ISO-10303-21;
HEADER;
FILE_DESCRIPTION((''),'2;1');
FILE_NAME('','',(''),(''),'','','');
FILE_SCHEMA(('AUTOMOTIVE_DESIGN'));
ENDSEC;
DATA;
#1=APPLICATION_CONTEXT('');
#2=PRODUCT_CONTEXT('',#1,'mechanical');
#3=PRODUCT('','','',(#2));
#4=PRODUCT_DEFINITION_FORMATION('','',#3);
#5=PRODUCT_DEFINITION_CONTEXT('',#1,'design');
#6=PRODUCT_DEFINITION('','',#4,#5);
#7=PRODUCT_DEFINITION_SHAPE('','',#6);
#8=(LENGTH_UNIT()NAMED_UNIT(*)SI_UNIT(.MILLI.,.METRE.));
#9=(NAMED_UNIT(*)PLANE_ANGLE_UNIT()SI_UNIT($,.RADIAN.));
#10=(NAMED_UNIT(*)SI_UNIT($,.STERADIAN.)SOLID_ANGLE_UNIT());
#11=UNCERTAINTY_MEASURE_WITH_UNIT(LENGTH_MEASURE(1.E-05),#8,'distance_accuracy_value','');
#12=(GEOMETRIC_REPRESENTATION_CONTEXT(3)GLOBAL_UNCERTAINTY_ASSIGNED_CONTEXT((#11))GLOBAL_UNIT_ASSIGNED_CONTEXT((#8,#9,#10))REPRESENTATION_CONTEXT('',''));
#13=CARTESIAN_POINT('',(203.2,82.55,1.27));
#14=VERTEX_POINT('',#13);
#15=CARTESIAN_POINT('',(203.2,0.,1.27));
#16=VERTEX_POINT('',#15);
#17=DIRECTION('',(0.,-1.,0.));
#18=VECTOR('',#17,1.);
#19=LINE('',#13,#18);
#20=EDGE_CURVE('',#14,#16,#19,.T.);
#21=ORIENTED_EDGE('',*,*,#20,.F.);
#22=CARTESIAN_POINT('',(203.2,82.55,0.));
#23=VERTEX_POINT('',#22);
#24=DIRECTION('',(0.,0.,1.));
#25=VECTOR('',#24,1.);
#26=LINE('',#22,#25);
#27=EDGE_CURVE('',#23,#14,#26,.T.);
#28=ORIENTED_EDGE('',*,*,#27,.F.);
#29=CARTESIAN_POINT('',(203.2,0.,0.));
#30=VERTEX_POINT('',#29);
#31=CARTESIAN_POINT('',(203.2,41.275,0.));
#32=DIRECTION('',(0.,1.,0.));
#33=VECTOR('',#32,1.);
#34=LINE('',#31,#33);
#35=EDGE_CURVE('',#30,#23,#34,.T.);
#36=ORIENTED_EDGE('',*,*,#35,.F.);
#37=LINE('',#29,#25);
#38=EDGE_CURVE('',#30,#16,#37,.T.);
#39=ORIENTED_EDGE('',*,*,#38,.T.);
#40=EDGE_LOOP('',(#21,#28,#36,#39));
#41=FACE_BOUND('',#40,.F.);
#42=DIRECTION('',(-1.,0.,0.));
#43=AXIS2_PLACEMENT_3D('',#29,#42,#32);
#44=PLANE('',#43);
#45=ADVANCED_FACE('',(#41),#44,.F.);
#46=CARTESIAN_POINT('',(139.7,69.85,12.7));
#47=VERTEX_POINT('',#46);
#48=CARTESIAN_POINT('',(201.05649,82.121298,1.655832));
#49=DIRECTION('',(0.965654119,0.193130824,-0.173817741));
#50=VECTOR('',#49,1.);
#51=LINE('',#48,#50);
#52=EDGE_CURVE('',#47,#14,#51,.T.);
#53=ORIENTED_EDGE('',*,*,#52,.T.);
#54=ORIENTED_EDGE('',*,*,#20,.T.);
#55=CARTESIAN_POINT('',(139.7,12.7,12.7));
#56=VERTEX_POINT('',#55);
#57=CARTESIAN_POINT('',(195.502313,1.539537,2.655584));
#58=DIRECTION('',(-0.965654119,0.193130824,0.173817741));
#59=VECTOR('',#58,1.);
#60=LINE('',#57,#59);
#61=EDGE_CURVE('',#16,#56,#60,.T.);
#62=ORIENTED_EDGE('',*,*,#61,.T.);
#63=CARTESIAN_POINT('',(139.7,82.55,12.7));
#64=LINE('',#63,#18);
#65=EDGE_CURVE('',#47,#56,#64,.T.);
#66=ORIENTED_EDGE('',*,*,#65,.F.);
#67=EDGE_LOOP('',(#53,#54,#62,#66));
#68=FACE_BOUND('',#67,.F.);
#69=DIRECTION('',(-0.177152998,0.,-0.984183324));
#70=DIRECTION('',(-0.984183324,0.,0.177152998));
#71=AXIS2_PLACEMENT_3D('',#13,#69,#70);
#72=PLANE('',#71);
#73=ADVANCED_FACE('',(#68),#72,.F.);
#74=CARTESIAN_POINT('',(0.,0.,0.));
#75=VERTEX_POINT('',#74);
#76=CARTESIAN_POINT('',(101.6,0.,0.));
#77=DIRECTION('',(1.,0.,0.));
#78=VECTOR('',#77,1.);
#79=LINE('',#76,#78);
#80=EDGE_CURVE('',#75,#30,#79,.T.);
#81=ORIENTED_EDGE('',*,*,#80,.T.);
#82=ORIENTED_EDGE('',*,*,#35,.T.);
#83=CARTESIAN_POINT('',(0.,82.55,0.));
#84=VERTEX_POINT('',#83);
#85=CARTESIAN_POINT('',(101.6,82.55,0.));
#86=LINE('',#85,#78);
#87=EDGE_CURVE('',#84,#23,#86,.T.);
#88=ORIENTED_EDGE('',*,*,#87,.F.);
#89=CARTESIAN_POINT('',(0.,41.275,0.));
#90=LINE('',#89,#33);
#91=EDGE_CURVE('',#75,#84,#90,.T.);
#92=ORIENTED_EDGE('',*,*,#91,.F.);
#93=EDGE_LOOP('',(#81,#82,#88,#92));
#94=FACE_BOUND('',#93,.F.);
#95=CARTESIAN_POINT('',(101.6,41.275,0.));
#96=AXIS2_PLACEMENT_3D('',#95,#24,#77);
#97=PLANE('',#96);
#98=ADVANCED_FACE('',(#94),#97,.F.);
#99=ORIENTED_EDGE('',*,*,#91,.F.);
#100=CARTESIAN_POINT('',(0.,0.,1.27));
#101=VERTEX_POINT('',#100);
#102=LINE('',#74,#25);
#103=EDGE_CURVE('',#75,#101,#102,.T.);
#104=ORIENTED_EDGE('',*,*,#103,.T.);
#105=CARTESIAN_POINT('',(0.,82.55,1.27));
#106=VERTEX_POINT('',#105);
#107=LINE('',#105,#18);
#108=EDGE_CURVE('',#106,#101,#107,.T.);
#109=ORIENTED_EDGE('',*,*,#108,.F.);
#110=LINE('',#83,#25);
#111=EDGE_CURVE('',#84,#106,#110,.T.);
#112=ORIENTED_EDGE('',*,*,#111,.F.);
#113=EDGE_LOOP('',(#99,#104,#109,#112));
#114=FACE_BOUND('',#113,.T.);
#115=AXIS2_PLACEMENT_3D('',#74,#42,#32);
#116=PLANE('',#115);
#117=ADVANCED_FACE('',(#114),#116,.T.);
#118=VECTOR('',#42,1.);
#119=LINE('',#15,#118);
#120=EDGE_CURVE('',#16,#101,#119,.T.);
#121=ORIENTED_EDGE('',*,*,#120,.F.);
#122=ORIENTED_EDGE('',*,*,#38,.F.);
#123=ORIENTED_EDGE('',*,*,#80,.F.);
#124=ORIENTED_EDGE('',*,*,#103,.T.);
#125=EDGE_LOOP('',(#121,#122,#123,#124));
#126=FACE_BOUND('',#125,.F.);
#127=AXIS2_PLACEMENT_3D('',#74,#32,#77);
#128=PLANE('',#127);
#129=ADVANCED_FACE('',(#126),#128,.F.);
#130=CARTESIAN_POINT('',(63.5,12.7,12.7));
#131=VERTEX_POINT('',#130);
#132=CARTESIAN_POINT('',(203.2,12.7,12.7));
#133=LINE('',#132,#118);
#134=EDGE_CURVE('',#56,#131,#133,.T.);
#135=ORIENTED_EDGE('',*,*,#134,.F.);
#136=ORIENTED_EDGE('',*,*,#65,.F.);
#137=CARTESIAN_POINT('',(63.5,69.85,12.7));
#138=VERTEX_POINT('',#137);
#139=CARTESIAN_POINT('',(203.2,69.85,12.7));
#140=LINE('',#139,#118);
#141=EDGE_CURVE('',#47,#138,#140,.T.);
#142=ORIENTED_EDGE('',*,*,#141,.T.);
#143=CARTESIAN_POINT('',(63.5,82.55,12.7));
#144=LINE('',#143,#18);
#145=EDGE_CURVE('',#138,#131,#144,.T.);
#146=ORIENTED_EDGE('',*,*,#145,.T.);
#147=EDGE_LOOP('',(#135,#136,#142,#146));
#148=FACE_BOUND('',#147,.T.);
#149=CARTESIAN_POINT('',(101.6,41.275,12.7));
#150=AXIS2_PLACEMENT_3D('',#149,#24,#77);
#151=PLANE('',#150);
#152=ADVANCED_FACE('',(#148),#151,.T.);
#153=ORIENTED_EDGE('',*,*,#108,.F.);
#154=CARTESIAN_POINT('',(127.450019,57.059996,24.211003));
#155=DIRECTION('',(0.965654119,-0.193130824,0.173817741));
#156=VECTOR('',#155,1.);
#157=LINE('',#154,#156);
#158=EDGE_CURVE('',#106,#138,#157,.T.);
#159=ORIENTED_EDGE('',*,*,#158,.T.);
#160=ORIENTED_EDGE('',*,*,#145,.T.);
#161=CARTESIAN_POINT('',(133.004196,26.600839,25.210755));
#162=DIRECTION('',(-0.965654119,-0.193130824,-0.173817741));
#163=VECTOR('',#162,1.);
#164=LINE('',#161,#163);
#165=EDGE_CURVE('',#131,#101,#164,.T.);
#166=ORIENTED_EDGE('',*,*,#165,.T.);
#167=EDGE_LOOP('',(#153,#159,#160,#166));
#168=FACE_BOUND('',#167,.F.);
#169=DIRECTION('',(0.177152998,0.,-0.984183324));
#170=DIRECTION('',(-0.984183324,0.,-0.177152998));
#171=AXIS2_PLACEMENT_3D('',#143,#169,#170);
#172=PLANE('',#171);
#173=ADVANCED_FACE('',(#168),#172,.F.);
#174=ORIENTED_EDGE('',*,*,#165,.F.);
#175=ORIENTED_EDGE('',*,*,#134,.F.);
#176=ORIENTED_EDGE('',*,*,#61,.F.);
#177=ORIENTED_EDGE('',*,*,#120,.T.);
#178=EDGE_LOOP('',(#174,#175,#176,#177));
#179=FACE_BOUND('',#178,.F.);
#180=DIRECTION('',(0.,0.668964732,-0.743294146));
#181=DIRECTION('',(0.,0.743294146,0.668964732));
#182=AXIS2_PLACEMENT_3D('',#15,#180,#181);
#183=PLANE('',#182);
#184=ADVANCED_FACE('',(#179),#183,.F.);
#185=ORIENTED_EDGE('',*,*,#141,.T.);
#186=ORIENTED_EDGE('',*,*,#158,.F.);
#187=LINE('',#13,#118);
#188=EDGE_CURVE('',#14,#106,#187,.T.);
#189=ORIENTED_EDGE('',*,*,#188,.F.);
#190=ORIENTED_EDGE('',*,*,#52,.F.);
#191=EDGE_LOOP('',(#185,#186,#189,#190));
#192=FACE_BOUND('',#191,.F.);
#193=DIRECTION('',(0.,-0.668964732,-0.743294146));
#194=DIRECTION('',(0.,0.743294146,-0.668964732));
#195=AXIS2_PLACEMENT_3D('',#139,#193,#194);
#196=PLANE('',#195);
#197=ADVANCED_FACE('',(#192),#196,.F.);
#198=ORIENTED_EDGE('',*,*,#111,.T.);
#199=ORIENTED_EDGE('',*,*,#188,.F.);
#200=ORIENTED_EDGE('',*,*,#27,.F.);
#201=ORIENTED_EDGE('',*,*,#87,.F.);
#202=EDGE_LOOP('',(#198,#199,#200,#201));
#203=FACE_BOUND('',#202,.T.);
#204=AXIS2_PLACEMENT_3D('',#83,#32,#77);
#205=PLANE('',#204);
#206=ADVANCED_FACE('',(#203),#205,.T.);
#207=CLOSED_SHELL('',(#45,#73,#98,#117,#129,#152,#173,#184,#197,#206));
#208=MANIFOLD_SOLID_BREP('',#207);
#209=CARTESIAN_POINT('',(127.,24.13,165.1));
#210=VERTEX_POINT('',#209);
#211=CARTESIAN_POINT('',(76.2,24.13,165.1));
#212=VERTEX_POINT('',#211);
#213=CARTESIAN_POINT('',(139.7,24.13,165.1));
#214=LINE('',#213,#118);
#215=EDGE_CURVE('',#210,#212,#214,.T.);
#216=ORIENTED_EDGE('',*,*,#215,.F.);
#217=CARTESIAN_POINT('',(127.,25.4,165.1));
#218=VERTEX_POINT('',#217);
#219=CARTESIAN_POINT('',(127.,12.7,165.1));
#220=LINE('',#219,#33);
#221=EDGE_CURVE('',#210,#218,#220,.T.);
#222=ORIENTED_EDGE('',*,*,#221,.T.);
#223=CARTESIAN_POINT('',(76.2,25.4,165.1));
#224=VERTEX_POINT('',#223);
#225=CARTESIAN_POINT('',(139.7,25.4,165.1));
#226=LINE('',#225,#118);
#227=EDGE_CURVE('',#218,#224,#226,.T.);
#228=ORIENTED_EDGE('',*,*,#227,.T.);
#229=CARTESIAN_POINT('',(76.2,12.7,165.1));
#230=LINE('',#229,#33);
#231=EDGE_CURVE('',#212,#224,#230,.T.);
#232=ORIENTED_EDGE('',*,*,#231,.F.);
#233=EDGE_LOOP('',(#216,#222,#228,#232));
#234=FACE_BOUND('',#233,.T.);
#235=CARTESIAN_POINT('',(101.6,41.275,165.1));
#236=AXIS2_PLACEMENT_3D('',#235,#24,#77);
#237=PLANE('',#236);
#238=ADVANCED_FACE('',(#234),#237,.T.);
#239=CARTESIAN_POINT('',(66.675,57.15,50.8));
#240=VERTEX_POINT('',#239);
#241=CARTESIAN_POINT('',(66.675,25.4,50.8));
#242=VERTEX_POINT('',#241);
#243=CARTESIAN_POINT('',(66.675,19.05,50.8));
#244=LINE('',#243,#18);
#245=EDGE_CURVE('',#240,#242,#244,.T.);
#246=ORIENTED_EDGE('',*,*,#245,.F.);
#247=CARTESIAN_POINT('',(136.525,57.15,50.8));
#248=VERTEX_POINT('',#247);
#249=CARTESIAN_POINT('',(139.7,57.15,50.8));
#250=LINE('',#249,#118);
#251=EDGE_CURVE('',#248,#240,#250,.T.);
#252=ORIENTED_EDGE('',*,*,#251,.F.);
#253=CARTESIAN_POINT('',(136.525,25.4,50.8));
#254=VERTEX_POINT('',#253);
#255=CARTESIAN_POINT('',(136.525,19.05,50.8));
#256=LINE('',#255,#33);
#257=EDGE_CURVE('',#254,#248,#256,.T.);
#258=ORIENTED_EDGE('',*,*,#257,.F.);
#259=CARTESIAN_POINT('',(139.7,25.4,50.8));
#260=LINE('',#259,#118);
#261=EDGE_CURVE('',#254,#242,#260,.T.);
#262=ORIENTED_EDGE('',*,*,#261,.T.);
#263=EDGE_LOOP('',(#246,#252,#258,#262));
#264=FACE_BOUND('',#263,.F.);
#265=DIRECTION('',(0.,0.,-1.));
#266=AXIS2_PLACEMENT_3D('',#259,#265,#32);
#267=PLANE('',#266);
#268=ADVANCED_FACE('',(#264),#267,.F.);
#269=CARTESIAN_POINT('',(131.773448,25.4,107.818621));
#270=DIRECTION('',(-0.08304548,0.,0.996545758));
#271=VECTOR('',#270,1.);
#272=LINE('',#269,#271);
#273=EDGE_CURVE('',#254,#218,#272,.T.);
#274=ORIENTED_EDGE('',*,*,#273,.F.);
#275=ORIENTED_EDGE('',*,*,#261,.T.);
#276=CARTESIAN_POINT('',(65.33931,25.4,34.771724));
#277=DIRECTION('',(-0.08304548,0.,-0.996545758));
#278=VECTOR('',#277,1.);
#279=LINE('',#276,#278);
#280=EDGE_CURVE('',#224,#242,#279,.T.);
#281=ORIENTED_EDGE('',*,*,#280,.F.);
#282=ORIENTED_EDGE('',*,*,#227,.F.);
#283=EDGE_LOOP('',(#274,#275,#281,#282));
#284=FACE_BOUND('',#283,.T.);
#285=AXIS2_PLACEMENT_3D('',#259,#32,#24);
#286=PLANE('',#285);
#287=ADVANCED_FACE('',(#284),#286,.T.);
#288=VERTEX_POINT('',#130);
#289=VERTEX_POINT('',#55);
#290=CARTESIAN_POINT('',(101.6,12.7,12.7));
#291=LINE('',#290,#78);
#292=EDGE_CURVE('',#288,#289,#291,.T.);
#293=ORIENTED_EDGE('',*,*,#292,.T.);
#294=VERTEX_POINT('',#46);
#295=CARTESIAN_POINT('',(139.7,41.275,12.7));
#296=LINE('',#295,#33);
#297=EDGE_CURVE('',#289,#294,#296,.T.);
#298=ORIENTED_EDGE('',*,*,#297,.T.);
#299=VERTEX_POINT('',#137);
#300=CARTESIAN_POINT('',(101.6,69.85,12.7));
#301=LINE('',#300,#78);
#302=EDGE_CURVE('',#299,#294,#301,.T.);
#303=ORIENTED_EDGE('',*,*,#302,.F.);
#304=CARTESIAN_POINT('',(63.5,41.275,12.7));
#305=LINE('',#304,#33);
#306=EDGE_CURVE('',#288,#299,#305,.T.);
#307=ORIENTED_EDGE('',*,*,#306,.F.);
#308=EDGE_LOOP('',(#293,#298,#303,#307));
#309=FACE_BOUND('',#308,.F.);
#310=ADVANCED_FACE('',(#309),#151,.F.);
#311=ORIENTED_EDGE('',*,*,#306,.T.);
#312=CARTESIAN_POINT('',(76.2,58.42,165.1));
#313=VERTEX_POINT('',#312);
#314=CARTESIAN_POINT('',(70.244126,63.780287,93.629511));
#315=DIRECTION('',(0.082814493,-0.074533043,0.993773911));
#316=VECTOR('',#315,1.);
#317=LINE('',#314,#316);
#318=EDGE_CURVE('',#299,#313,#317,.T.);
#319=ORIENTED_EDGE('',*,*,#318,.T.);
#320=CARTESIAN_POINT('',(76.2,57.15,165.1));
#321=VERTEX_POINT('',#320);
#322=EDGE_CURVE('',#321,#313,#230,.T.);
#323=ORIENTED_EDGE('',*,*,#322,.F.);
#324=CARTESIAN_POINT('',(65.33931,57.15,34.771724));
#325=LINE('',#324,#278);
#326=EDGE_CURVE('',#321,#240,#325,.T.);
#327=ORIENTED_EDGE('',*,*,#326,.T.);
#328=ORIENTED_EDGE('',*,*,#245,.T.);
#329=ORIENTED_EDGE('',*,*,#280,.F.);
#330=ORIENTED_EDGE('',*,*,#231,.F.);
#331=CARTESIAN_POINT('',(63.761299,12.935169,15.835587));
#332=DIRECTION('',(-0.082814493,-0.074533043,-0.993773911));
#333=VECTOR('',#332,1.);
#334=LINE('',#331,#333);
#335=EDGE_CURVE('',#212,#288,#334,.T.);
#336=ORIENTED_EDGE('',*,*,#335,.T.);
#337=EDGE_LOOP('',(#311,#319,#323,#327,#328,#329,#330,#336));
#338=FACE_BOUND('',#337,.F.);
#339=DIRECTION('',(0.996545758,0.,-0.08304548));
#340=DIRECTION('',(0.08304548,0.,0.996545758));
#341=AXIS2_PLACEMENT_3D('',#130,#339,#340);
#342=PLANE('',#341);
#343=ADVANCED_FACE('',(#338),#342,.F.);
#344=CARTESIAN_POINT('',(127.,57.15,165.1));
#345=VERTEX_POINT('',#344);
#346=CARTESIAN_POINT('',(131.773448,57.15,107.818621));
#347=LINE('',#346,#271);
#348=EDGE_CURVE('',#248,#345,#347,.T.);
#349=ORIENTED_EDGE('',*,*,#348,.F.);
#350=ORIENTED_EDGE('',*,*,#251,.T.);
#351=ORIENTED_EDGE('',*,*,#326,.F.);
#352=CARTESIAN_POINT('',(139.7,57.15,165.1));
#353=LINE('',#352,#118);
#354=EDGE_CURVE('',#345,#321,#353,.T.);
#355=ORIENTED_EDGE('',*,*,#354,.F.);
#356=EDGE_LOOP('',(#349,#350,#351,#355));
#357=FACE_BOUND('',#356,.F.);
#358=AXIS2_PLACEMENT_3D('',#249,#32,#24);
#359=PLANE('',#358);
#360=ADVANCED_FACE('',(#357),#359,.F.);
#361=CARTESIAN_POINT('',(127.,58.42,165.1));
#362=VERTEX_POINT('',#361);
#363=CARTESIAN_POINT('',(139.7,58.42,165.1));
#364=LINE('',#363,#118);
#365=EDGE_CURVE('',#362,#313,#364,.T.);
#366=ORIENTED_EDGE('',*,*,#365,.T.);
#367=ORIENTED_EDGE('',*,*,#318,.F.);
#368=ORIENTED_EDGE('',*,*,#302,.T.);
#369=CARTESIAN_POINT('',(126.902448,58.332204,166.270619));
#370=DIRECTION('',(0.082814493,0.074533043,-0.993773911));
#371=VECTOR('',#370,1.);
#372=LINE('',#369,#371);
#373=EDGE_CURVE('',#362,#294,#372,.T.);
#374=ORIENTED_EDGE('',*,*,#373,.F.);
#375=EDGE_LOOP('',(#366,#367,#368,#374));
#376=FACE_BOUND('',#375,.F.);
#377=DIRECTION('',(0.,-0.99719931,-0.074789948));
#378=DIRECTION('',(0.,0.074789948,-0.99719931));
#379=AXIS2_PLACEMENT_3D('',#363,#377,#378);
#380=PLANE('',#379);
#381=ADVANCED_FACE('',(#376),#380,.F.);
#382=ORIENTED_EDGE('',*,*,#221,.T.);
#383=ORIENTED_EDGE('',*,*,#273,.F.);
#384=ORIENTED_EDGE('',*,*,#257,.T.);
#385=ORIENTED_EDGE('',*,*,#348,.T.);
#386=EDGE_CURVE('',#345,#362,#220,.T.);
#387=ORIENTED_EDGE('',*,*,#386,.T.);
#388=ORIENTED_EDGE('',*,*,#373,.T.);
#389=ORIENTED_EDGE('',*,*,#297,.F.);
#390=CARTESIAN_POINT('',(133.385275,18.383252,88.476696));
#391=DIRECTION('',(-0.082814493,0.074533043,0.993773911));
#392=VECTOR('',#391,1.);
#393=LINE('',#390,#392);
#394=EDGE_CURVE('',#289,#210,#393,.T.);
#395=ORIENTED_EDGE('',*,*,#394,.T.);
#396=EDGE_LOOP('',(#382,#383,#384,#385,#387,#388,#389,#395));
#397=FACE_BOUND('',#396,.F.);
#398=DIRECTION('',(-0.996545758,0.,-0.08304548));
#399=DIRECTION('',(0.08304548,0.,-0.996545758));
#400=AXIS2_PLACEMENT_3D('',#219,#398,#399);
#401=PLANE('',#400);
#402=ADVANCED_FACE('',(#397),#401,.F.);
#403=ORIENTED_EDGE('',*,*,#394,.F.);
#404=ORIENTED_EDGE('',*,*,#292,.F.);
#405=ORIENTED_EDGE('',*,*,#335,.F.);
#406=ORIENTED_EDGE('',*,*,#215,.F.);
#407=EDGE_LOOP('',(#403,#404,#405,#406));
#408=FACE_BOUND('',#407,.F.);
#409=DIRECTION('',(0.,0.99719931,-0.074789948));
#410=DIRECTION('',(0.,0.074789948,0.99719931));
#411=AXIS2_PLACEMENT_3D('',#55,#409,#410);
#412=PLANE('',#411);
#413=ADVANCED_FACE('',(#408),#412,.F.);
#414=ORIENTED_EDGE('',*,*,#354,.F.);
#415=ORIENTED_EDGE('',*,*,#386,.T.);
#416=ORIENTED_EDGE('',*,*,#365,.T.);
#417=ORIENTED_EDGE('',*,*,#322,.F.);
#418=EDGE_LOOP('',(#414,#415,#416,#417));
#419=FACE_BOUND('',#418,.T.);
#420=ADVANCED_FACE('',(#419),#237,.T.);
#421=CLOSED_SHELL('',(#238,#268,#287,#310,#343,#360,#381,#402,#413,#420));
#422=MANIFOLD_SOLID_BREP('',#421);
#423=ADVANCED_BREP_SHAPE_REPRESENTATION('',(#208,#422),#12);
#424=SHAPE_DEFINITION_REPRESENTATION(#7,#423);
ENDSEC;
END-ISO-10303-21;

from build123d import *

# Parameters (mm, degrees)
F0_W      = 203.2
F0_H      = 82.55
F1_DEPTH  = 12.7
F3_DEPTH  = 203.2
F5_DEPTH  = 82.55
F6_W      = 76.2
F6_H      = 57.15
F7_DEPTH  = 152.4
F8_W      = 31.75
F8_H      = 114.3
F9_DEPTH  = 76.2
F12_DEPTH = 76.2
F13_DEPTH = 57.15


with BuildPart() as f1:
    # F0 (on Top) → F1 (new body)
    with BuildSketch(Plane.XY):
        with Locations((101.6, 41.275)):
            Rectangle(F0_W, F0_H)
    extrude(amount=F1_DEPTH)

    # F2 (on face) → F3 (cut)
    with BuildSketch(Plane.YZ.offset(203.2)):
        Polygon((12.7, 12.7), (0, 12.7), (0, 1.27), align=None)
        Polygon((82.55, 1.27), (82.55, 12.7), (69.85, 12.7), align=None)
    extrude(amount=-F3_DEPTH, mode=Mode.SUBTRACT)

    # F4 (on face) → F5 (cut)
    with BuildSketch(Plane(origin=(0, 82.55, 0), x_dir=(-1, 0, 0), z_dir=(0, 1, 0))):
        Polygon((-203.2, 12.7), (-203.2, 1.27), (-139.7, 12.7), align=None)
        Polygon((-63.5, 12.7), (0, 1.27), (0, 12.7), align=None)
    extrude(amount=-F5_DEPTH, mode=Mode.SUBTRACT)


with BuildPart() as f7:
    # F6 (on face) → F7 (new body)
    with BuildSketch(Plane.XY.offset(12.7)):
        with Locations((101.6, 41.275)):
            Rectangle(F6_W, F6_H)
    extrude(amount=F7_DEPTH)

    # F8 (on face) → F9 (cut)
    with BuildSketch(Plane.YZ.offset(139.7)):
        with Locations((41.275, 107.95)):
            Rectangle(F8_W, F8_H)
    extrude(amount=-F9_DEPTH, mode=Mode.SUBTRACT)

    # F10 (on face) → F12 (cut)
    with BuildSketch(Plane.YZ.offset(139.7)):
        Polygon((12.7, 165.1), (12.7, 12.7), (24.13, 165.1), align=None)
        Polygon((58.42, 165.1), (69.85, 12.7), (69.85, 165.1), align=None)
    extrude(amount=-F12_DEPTH, mode=Mode.SUBTRACT)

    # F11 (on face) → F13 (cut)
    with BuildSketch(Plane.XZ.offset(-12.7)):
        Polygon((76.2, 165.1), (63.5, 165.1), (63.5, 12.7), align=None)
        Polygon((139.7, 12.7), (139.7, 165.1), (127, 165.1), align=None)
    extrude(amount=-F13_DEPTH, mode=Mode.SUBTRACT)


solid = Compound([f1.part, f7.part])
